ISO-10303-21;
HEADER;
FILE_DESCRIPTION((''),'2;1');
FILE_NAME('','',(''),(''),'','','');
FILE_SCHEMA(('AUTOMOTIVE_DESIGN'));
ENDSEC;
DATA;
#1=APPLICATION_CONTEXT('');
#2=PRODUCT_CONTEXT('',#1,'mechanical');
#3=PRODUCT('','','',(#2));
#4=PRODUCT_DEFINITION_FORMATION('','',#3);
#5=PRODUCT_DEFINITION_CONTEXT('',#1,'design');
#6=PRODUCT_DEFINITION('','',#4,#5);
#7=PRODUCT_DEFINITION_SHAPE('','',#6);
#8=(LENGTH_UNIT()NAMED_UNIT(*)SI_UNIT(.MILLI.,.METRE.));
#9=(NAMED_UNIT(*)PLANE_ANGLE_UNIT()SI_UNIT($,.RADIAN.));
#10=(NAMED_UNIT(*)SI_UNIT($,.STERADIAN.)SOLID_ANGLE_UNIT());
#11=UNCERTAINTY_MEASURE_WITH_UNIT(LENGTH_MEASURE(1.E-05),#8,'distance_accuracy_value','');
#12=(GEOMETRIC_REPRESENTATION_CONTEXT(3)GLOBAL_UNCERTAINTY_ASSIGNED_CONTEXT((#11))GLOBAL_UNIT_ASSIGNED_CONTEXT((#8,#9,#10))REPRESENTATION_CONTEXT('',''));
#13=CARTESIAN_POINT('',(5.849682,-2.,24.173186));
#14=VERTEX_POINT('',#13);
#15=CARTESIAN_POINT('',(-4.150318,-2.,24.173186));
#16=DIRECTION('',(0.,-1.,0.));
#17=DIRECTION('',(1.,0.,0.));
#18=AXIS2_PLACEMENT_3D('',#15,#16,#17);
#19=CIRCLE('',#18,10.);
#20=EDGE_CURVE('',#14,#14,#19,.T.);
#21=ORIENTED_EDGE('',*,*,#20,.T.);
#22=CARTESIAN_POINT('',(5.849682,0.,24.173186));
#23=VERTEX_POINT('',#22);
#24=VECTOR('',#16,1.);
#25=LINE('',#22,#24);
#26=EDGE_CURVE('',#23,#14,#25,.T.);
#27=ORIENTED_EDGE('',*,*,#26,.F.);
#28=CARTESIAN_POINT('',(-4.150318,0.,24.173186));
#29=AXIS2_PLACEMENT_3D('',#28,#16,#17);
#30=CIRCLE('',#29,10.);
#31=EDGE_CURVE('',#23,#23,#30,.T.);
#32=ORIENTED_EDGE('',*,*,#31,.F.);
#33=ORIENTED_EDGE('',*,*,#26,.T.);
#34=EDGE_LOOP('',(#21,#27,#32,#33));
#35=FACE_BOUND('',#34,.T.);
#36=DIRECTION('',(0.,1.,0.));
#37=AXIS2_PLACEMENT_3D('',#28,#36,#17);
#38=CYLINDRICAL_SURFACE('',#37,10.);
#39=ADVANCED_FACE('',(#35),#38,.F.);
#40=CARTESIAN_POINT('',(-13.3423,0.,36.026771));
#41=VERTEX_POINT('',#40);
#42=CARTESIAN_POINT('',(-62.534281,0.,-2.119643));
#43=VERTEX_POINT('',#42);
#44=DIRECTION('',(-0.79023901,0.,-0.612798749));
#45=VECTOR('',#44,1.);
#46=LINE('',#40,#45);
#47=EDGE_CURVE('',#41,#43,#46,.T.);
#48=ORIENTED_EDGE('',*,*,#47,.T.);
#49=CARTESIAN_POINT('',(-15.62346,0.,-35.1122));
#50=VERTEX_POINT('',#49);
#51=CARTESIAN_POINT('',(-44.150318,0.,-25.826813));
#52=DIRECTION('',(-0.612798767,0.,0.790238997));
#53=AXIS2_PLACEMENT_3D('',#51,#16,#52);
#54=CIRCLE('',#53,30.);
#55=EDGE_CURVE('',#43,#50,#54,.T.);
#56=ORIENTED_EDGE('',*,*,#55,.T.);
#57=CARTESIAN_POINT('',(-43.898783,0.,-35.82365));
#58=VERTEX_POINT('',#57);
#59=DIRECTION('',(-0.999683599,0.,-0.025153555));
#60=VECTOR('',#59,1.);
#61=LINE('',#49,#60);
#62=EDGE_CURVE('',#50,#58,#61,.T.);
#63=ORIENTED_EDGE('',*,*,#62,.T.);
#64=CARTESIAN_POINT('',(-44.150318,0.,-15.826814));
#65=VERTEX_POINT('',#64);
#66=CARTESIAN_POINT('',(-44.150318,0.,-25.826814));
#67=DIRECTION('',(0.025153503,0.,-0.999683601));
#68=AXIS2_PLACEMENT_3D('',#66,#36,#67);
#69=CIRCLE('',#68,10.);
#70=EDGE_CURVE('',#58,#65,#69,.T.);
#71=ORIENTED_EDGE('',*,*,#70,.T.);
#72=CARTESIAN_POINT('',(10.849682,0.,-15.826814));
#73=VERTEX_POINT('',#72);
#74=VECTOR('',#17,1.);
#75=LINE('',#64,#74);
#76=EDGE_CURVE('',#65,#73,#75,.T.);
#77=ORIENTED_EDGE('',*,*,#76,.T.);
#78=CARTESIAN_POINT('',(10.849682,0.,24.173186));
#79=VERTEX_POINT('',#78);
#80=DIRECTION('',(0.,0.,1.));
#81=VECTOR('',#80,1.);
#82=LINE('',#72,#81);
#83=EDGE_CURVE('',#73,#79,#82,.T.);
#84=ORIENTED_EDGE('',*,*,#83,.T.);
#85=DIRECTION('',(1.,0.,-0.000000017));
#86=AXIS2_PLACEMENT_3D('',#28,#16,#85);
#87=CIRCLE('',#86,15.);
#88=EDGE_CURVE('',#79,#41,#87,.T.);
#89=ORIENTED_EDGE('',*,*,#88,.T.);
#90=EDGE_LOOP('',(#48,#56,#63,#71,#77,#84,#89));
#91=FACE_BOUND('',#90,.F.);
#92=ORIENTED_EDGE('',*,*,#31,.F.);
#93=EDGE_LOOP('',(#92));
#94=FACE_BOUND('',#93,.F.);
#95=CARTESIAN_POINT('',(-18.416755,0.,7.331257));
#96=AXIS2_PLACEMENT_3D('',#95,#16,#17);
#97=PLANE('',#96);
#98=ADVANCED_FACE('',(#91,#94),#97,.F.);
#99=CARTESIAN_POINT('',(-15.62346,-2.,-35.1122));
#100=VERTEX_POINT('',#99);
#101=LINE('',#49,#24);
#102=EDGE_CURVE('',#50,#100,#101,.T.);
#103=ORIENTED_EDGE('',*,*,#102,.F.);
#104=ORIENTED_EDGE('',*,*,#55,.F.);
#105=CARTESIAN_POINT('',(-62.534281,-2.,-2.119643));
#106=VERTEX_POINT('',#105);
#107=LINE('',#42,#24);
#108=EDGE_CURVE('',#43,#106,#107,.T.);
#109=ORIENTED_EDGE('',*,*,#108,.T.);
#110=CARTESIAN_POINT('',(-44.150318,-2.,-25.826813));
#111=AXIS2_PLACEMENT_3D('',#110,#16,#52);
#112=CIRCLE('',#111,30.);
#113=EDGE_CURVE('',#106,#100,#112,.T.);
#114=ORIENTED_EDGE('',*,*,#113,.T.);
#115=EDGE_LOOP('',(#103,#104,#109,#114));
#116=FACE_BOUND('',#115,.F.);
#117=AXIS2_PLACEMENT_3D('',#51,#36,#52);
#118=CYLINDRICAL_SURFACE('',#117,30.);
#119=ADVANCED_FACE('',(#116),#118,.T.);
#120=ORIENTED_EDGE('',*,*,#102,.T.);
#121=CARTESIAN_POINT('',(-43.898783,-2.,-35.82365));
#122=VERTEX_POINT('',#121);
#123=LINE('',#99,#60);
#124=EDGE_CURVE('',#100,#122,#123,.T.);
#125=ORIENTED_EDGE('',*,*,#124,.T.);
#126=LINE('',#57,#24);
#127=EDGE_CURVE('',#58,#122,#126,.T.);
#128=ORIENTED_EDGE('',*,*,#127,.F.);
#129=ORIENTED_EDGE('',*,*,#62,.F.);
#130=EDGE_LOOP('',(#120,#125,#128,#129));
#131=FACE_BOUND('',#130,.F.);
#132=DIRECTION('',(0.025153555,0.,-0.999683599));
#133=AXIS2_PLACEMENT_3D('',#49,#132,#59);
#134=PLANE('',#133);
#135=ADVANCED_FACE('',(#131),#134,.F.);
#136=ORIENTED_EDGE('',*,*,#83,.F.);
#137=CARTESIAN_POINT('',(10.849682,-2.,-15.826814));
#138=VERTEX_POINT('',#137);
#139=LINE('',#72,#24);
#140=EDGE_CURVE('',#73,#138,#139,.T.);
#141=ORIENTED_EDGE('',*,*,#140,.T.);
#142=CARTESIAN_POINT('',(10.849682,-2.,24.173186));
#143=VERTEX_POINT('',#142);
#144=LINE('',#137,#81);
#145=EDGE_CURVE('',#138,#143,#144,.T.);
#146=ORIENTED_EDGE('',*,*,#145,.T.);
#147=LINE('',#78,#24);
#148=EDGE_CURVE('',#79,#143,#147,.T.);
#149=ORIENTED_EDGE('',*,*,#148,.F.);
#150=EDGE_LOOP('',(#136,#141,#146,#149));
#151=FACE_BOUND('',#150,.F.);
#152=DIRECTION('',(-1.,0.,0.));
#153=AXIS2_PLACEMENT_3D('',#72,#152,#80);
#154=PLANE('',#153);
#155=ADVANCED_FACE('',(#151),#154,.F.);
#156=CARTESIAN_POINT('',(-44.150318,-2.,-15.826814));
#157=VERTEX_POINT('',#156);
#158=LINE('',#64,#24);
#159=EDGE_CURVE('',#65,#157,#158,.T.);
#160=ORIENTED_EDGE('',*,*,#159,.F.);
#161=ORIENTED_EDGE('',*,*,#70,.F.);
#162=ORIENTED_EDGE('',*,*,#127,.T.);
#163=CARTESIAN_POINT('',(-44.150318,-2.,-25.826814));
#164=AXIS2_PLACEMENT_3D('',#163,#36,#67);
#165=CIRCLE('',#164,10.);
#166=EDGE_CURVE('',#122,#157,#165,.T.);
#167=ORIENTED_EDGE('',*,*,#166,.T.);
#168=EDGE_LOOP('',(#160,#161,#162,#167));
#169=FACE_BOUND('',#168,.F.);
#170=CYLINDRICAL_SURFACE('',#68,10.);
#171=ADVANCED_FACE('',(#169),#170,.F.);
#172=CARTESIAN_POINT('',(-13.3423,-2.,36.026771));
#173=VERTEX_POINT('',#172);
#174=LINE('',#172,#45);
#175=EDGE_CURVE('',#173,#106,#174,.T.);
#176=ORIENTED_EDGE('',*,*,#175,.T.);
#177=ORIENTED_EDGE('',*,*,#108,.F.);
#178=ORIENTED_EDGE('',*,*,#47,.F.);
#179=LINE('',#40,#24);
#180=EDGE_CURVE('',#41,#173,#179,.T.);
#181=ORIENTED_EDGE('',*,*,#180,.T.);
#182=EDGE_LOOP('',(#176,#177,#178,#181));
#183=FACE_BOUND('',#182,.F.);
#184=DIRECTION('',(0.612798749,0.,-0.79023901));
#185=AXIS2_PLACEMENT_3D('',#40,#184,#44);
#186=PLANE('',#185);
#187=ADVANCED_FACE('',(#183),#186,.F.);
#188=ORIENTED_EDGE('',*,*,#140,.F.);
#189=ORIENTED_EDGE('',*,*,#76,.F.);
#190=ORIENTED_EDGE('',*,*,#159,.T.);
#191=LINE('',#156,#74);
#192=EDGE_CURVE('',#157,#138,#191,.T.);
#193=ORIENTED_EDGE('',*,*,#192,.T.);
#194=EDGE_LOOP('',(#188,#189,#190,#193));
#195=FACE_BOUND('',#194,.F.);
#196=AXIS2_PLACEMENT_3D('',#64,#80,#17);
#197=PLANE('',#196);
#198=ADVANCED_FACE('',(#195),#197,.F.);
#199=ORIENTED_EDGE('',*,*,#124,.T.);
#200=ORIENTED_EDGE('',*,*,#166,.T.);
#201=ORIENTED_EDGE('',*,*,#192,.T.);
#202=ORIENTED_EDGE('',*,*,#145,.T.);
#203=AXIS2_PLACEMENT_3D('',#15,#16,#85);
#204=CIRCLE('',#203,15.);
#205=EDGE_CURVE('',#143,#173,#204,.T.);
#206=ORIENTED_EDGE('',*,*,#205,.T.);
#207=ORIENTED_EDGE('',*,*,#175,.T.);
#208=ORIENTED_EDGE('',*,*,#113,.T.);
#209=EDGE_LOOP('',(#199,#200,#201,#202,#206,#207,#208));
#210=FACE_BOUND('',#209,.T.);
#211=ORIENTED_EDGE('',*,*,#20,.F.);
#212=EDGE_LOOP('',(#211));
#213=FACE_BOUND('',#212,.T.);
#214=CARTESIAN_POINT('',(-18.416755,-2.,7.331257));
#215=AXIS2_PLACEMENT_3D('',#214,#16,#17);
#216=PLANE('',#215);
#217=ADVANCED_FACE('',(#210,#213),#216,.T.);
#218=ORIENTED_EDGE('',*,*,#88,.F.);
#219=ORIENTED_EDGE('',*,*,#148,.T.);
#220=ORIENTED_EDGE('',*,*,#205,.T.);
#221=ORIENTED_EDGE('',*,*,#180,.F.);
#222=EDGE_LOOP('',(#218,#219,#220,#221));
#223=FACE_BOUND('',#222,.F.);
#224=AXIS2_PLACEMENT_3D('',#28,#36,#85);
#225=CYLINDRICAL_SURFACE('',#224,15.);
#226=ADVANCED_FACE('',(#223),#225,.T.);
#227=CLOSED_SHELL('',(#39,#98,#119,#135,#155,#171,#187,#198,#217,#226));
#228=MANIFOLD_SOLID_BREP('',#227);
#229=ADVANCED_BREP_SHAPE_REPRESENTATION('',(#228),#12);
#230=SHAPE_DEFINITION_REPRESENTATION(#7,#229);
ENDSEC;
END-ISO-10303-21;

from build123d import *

# Parameters (mm, degrees)
F0_R     = 10
F1_DEPTH = 2


with BuildPart() as f1:
    # F0 (on Front) → F1 (new body)
    with BuildSketch(Plane.XZ):
        with BuildLine():
            ThreePointArc((-62.534281, -2.119643), (-35.69599, 2.957285), (-15.866047, -15.826814))
            Line((-15.866047, -15.826814), (10.849682, -15.826814))
            Line((10.849682, -15.826814), (10.849682, 24.173186))
            ThreePointArc((10.849682, 24.173186), (-10.750328, 10.703225), (-13.3423, 36.026771))
            Line((-13.3423, 36.026771), (-62.534281, -2.119643))
        make_face()
        with BuildLine():
            ThreePointArc((10.849682, 24.173186), (2.449692, 37.643148), (-13.3423, 36.026771))
            ThreePointArc((-13.3423, 36.026771), (-10.750328, 10.703225), (10.849682, 24.173186))
        make_face()
        with Locations((-4.150318, 24.173186)):
            Circle(F0_R, mode=Mode.SUBTRACT)
        with BuildLine():
            Line((-44.150318, -15.826814), (-15.866047, -15.826814))
            ThreePointArc((-15.866047, -15.826814), (-35.69599, 2.957285), (-62.534281, -2.119643))
            ThreePointArc((-62.534281, -2.119643), (-61.408556, -50.365624), (-15.62346, -35.1122))
            Line((-15.62346, -35.1122), (-43.898783, -35.82365))
            ThreePointArc((-43.898783, -35.82365), (-54.149527, -25.952591), (-44.150318, -15.826814))
        make_face()
    extrude(amount=F1_DEPTH)


solid = f1.part
